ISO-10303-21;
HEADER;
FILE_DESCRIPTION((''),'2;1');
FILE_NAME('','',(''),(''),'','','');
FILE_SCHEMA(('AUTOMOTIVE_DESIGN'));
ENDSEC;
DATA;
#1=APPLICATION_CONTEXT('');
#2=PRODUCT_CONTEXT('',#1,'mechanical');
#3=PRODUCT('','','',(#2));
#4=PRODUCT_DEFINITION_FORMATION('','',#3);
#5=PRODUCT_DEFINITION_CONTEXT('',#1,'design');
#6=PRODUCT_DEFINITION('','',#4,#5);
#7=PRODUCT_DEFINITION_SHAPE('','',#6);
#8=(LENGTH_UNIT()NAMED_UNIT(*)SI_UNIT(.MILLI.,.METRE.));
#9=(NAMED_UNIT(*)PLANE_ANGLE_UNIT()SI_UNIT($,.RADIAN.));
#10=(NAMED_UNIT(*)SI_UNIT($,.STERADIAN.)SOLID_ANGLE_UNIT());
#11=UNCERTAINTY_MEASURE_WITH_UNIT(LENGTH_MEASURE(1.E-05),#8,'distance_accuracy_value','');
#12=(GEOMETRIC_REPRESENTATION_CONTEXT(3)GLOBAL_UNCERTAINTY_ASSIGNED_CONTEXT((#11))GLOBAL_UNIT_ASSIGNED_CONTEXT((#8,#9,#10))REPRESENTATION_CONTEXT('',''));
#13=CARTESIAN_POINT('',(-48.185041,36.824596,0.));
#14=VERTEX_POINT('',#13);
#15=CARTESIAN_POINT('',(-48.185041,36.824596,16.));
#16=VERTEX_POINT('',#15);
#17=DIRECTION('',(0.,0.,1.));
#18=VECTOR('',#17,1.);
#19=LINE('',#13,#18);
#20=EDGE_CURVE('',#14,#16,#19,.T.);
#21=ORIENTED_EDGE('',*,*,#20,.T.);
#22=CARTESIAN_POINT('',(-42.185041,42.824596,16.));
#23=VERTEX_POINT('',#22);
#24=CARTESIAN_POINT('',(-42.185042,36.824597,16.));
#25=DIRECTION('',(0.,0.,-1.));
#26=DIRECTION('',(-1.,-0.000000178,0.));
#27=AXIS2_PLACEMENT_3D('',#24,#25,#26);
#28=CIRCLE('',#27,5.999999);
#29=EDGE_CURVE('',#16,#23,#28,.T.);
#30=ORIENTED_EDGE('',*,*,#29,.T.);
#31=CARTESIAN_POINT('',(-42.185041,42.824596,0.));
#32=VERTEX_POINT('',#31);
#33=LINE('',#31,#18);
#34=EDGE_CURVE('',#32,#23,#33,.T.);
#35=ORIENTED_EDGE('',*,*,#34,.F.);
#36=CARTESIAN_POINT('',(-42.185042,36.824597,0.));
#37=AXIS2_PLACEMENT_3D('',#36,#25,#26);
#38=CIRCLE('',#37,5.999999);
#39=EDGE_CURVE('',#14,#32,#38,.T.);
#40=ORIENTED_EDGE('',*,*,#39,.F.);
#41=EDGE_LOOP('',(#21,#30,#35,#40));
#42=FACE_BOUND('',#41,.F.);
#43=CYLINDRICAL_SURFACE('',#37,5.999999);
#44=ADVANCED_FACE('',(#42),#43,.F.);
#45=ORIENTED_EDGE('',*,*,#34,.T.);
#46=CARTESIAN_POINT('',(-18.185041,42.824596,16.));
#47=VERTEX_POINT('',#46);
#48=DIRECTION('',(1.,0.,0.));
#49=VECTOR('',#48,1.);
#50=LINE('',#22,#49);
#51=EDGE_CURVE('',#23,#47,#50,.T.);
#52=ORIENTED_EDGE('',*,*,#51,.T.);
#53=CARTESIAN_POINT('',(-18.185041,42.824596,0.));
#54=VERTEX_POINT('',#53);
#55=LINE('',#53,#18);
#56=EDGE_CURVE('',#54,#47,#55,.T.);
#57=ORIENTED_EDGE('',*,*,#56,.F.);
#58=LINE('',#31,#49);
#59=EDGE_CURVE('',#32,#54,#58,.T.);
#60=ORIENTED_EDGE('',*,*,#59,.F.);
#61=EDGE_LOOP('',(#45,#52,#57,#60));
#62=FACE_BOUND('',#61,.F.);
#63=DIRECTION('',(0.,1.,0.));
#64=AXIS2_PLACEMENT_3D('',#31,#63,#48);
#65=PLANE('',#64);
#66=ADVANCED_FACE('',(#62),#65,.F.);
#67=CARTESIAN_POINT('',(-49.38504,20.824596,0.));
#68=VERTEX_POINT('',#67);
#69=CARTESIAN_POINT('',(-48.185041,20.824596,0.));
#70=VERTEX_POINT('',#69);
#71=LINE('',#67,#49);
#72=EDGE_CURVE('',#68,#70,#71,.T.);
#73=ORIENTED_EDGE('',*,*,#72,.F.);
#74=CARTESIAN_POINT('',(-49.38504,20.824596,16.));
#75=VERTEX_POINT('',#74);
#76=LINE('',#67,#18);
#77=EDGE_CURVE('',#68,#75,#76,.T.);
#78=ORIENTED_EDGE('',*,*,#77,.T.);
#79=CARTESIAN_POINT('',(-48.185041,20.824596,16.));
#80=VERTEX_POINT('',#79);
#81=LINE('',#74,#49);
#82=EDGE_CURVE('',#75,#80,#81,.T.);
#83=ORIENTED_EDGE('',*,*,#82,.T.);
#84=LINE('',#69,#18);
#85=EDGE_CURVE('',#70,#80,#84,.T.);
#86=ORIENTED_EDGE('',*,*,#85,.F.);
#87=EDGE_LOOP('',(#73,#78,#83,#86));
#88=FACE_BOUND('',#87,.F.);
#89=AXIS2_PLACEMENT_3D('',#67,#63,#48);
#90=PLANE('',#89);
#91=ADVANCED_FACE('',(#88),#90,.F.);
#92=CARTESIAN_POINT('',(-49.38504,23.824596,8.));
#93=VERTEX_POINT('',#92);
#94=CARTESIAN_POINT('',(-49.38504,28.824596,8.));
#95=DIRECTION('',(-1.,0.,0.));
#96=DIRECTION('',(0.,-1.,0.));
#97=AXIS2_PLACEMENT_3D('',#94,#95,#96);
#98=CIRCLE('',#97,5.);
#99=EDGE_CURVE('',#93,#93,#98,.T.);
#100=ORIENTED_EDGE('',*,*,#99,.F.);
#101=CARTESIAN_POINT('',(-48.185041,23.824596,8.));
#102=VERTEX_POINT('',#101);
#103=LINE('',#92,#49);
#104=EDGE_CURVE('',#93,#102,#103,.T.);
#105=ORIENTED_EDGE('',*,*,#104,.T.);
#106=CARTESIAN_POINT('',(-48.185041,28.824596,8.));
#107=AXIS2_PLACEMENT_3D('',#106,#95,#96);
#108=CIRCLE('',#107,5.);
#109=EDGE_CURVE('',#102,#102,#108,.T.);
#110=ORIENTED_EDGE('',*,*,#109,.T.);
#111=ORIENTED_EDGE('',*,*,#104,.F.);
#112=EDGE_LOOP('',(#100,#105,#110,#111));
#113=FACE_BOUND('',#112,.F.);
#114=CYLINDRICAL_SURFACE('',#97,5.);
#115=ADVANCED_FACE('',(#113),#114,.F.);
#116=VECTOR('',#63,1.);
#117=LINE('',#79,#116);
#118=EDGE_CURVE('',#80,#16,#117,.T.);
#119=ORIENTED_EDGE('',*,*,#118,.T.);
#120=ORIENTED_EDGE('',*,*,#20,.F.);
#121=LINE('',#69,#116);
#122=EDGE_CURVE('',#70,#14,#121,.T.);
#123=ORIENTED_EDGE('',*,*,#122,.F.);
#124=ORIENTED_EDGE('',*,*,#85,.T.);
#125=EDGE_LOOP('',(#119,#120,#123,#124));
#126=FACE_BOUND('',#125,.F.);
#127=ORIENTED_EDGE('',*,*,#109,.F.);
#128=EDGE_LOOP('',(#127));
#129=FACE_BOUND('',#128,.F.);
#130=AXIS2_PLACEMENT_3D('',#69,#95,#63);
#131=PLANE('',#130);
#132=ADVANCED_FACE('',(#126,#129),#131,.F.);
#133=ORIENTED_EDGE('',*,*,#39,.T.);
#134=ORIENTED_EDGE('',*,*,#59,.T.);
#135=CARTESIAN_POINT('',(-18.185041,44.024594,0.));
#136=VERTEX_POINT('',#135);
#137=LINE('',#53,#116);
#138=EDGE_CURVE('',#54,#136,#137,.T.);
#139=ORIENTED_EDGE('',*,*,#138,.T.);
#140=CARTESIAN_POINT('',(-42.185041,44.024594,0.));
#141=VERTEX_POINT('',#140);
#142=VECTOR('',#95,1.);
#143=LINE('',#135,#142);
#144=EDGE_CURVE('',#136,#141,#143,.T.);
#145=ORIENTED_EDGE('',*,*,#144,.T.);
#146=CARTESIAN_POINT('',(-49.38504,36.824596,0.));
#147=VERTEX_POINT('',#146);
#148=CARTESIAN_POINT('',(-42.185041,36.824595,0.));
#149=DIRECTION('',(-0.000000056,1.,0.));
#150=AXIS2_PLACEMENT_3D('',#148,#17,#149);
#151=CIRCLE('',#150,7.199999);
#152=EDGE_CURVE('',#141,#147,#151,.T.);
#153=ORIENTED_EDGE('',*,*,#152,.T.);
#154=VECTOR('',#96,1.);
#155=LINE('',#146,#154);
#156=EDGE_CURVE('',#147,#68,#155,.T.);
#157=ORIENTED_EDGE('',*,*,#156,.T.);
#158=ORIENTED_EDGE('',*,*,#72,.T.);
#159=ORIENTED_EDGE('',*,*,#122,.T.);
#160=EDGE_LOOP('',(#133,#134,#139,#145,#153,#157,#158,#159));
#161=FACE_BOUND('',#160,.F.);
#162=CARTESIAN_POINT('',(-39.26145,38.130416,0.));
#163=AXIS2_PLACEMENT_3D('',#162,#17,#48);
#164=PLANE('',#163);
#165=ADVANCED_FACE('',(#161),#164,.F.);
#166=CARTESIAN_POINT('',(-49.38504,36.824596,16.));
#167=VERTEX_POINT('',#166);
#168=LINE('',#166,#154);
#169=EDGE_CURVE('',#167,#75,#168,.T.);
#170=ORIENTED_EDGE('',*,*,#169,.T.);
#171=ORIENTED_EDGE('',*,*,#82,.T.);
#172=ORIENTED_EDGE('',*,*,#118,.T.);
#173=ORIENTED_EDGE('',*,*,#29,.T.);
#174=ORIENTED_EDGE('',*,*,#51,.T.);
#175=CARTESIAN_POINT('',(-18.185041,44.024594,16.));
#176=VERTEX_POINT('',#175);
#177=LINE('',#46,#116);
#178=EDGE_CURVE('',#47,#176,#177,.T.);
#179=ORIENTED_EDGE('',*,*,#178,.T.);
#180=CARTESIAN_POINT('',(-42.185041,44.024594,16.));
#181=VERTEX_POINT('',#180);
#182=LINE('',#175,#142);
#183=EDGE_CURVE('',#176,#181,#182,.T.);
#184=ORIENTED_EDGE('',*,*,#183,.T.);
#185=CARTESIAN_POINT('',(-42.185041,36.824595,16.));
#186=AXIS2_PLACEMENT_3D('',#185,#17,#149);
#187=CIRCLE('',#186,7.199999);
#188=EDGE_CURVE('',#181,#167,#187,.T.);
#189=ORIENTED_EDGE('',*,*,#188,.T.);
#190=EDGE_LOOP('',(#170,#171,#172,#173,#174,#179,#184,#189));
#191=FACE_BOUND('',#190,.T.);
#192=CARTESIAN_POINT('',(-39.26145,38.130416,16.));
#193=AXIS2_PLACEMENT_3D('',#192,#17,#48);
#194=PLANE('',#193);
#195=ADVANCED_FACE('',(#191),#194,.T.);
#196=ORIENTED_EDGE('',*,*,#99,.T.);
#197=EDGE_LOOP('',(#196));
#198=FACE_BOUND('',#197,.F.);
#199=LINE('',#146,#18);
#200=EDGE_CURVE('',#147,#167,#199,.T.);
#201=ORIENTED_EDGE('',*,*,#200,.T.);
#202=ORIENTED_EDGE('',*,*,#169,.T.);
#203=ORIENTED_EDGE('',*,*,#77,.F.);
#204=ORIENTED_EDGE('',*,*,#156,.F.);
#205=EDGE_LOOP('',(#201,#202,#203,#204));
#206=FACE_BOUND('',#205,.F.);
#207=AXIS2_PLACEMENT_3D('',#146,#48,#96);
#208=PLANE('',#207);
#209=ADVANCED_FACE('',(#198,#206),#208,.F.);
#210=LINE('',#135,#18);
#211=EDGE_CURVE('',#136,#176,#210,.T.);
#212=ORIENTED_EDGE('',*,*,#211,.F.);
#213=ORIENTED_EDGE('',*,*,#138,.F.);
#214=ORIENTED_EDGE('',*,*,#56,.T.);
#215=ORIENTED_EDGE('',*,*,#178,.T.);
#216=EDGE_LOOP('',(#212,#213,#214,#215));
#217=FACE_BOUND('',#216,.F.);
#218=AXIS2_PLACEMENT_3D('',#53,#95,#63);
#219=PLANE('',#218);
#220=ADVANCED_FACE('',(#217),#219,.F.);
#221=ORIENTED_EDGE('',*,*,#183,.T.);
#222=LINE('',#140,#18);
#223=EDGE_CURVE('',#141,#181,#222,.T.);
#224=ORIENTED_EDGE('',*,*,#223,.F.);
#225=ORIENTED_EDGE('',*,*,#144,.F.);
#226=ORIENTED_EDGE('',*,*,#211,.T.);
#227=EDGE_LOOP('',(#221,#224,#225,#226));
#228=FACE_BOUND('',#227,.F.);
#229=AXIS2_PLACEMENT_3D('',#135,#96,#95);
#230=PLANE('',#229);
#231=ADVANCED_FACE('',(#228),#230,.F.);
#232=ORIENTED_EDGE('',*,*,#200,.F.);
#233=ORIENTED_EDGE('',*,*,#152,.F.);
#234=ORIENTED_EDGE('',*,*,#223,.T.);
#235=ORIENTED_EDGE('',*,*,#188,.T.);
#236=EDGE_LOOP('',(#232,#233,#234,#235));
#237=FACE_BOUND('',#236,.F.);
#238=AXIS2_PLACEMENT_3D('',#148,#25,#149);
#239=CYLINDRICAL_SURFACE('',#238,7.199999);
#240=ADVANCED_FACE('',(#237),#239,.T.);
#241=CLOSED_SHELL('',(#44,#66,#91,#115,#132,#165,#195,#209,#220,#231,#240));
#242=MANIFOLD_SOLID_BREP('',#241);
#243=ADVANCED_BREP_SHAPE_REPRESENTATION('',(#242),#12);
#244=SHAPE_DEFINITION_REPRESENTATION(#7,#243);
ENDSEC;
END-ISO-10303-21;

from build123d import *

# Parameters (mm, degrees)
F1_DEPTH = 16
F2_R     = 5
F3_DEPTH = 31.200998


with BuildPart() as f1:
    # F0 (on Top) → F1 (new body)
    with BuildSketch(Plane.XY):
        with BuildLine():
            Line((-49.38504, 20.824596), (-48.185041, 20.824596))
            Line((-48.185041, 20.824596), (-48.185041, 36.824596))
            ThreePointArc((-48.185041, 36.824596), (-46.427682, 41.067237), (-42.185041, 42.824596))
            Line((-42.185041, 42.824596), (-18.185041, 42.824596))
            Line((-18.185041, 42.824596), (-18.185041, 44.024594))
            Line((-18.185041, 44.024594), (-42.185041, 44.024594))
            ThreePointArc((-42.185041, 44.024594), (-47.276209, 41.915763), (-49.38504, 36.824596))
            Line((-49.38504, 36.824596), (-49.38504, 20.824596))
        make_face()
    extrude(amount=F1_DEPTH)

    # F2 (on face) → F3 (cut, through all)
    with BuildSketch(Plane(origin=(-49.38504, 0, 0), x_dir=(0, -1, 0), z_dir=(-1, 0, 0))):
        with Locations((-28.824596, 8)):
            Circle(F2_R)
    extrude(amount=-F3_DEPTH, mode=Mode.SUBTRACT)


solid = f1.part
